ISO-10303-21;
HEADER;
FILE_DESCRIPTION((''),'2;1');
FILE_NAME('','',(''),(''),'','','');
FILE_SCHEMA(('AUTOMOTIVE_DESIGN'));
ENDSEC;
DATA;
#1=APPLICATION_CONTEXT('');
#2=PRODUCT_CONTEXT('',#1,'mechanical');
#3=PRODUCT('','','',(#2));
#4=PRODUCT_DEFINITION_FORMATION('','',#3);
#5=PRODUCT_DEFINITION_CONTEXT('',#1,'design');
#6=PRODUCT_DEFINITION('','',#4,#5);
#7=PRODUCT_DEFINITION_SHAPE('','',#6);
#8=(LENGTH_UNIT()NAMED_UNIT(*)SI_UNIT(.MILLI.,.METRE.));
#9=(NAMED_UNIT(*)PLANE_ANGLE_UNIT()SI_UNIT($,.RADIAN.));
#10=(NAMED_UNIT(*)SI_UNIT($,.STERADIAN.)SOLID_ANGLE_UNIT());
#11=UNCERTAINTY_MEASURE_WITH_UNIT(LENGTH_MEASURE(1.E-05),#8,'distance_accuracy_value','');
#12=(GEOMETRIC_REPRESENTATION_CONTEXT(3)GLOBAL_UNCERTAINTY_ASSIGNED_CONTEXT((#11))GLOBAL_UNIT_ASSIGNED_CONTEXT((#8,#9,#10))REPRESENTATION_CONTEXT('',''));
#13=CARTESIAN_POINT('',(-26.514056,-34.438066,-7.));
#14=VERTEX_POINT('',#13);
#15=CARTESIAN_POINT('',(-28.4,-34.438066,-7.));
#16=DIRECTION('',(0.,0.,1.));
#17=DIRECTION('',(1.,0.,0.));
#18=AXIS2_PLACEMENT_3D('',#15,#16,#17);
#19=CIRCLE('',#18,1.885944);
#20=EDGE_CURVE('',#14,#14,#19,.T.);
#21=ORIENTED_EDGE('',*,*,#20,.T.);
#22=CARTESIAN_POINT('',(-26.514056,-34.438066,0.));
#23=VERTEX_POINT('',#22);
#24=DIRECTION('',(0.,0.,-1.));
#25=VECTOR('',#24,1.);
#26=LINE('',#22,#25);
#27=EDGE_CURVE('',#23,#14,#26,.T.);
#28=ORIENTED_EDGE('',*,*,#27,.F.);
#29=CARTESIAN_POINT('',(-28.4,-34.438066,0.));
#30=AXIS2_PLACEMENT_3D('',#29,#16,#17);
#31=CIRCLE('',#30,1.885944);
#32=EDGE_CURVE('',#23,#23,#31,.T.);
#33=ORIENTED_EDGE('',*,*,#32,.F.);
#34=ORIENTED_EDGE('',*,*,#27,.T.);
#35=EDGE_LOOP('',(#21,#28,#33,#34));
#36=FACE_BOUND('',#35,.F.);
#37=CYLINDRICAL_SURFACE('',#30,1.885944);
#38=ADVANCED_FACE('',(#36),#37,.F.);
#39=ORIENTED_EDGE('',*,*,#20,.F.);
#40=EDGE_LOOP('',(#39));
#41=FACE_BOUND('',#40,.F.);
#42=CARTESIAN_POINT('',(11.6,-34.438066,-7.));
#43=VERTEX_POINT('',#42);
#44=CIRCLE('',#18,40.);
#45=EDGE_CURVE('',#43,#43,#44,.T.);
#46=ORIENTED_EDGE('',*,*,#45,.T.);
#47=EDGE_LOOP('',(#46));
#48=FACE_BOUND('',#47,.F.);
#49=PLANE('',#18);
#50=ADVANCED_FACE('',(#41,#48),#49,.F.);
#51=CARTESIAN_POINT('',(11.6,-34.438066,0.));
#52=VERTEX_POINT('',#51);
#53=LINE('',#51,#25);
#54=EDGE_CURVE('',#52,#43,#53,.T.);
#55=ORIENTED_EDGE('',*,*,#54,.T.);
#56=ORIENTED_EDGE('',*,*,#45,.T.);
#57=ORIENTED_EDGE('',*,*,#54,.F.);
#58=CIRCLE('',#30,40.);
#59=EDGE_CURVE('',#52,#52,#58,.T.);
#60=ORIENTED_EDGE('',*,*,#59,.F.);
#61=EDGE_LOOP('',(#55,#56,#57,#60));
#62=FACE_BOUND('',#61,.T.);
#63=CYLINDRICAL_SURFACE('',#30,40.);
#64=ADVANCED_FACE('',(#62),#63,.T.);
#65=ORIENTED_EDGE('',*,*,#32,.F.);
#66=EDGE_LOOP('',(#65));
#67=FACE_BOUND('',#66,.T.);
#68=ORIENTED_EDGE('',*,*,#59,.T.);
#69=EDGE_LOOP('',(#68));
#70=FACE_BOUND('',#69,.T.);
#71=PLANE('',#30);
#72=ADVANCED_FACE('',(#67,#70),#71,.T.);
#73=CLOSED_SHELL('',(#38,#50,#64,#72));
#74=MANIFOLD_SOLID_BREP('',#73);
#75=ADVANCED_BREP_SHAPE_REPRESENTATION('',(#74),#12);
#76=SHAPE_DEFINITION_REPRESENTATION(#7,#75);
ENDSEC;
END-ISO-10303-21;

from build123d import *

# Parameters (mm, degrees)
F0_R     = 40
F0_R_2   = 1.885944
F1_DEPTH = 7


with BuildPart() as f1:
    # F0 (on Top) → F1 (new body)
    with BuildSketch(Plane.XY):
        with Locations((-28.4, -34.438066)):
            Circle(F0_R)
        with Locations((-28.4, -34.438066)):
            Circle(F0_R_2, mode=Mode.SUBTRACT)
    extrude(amount=-F1_DEPTH)


solid = f1.part
